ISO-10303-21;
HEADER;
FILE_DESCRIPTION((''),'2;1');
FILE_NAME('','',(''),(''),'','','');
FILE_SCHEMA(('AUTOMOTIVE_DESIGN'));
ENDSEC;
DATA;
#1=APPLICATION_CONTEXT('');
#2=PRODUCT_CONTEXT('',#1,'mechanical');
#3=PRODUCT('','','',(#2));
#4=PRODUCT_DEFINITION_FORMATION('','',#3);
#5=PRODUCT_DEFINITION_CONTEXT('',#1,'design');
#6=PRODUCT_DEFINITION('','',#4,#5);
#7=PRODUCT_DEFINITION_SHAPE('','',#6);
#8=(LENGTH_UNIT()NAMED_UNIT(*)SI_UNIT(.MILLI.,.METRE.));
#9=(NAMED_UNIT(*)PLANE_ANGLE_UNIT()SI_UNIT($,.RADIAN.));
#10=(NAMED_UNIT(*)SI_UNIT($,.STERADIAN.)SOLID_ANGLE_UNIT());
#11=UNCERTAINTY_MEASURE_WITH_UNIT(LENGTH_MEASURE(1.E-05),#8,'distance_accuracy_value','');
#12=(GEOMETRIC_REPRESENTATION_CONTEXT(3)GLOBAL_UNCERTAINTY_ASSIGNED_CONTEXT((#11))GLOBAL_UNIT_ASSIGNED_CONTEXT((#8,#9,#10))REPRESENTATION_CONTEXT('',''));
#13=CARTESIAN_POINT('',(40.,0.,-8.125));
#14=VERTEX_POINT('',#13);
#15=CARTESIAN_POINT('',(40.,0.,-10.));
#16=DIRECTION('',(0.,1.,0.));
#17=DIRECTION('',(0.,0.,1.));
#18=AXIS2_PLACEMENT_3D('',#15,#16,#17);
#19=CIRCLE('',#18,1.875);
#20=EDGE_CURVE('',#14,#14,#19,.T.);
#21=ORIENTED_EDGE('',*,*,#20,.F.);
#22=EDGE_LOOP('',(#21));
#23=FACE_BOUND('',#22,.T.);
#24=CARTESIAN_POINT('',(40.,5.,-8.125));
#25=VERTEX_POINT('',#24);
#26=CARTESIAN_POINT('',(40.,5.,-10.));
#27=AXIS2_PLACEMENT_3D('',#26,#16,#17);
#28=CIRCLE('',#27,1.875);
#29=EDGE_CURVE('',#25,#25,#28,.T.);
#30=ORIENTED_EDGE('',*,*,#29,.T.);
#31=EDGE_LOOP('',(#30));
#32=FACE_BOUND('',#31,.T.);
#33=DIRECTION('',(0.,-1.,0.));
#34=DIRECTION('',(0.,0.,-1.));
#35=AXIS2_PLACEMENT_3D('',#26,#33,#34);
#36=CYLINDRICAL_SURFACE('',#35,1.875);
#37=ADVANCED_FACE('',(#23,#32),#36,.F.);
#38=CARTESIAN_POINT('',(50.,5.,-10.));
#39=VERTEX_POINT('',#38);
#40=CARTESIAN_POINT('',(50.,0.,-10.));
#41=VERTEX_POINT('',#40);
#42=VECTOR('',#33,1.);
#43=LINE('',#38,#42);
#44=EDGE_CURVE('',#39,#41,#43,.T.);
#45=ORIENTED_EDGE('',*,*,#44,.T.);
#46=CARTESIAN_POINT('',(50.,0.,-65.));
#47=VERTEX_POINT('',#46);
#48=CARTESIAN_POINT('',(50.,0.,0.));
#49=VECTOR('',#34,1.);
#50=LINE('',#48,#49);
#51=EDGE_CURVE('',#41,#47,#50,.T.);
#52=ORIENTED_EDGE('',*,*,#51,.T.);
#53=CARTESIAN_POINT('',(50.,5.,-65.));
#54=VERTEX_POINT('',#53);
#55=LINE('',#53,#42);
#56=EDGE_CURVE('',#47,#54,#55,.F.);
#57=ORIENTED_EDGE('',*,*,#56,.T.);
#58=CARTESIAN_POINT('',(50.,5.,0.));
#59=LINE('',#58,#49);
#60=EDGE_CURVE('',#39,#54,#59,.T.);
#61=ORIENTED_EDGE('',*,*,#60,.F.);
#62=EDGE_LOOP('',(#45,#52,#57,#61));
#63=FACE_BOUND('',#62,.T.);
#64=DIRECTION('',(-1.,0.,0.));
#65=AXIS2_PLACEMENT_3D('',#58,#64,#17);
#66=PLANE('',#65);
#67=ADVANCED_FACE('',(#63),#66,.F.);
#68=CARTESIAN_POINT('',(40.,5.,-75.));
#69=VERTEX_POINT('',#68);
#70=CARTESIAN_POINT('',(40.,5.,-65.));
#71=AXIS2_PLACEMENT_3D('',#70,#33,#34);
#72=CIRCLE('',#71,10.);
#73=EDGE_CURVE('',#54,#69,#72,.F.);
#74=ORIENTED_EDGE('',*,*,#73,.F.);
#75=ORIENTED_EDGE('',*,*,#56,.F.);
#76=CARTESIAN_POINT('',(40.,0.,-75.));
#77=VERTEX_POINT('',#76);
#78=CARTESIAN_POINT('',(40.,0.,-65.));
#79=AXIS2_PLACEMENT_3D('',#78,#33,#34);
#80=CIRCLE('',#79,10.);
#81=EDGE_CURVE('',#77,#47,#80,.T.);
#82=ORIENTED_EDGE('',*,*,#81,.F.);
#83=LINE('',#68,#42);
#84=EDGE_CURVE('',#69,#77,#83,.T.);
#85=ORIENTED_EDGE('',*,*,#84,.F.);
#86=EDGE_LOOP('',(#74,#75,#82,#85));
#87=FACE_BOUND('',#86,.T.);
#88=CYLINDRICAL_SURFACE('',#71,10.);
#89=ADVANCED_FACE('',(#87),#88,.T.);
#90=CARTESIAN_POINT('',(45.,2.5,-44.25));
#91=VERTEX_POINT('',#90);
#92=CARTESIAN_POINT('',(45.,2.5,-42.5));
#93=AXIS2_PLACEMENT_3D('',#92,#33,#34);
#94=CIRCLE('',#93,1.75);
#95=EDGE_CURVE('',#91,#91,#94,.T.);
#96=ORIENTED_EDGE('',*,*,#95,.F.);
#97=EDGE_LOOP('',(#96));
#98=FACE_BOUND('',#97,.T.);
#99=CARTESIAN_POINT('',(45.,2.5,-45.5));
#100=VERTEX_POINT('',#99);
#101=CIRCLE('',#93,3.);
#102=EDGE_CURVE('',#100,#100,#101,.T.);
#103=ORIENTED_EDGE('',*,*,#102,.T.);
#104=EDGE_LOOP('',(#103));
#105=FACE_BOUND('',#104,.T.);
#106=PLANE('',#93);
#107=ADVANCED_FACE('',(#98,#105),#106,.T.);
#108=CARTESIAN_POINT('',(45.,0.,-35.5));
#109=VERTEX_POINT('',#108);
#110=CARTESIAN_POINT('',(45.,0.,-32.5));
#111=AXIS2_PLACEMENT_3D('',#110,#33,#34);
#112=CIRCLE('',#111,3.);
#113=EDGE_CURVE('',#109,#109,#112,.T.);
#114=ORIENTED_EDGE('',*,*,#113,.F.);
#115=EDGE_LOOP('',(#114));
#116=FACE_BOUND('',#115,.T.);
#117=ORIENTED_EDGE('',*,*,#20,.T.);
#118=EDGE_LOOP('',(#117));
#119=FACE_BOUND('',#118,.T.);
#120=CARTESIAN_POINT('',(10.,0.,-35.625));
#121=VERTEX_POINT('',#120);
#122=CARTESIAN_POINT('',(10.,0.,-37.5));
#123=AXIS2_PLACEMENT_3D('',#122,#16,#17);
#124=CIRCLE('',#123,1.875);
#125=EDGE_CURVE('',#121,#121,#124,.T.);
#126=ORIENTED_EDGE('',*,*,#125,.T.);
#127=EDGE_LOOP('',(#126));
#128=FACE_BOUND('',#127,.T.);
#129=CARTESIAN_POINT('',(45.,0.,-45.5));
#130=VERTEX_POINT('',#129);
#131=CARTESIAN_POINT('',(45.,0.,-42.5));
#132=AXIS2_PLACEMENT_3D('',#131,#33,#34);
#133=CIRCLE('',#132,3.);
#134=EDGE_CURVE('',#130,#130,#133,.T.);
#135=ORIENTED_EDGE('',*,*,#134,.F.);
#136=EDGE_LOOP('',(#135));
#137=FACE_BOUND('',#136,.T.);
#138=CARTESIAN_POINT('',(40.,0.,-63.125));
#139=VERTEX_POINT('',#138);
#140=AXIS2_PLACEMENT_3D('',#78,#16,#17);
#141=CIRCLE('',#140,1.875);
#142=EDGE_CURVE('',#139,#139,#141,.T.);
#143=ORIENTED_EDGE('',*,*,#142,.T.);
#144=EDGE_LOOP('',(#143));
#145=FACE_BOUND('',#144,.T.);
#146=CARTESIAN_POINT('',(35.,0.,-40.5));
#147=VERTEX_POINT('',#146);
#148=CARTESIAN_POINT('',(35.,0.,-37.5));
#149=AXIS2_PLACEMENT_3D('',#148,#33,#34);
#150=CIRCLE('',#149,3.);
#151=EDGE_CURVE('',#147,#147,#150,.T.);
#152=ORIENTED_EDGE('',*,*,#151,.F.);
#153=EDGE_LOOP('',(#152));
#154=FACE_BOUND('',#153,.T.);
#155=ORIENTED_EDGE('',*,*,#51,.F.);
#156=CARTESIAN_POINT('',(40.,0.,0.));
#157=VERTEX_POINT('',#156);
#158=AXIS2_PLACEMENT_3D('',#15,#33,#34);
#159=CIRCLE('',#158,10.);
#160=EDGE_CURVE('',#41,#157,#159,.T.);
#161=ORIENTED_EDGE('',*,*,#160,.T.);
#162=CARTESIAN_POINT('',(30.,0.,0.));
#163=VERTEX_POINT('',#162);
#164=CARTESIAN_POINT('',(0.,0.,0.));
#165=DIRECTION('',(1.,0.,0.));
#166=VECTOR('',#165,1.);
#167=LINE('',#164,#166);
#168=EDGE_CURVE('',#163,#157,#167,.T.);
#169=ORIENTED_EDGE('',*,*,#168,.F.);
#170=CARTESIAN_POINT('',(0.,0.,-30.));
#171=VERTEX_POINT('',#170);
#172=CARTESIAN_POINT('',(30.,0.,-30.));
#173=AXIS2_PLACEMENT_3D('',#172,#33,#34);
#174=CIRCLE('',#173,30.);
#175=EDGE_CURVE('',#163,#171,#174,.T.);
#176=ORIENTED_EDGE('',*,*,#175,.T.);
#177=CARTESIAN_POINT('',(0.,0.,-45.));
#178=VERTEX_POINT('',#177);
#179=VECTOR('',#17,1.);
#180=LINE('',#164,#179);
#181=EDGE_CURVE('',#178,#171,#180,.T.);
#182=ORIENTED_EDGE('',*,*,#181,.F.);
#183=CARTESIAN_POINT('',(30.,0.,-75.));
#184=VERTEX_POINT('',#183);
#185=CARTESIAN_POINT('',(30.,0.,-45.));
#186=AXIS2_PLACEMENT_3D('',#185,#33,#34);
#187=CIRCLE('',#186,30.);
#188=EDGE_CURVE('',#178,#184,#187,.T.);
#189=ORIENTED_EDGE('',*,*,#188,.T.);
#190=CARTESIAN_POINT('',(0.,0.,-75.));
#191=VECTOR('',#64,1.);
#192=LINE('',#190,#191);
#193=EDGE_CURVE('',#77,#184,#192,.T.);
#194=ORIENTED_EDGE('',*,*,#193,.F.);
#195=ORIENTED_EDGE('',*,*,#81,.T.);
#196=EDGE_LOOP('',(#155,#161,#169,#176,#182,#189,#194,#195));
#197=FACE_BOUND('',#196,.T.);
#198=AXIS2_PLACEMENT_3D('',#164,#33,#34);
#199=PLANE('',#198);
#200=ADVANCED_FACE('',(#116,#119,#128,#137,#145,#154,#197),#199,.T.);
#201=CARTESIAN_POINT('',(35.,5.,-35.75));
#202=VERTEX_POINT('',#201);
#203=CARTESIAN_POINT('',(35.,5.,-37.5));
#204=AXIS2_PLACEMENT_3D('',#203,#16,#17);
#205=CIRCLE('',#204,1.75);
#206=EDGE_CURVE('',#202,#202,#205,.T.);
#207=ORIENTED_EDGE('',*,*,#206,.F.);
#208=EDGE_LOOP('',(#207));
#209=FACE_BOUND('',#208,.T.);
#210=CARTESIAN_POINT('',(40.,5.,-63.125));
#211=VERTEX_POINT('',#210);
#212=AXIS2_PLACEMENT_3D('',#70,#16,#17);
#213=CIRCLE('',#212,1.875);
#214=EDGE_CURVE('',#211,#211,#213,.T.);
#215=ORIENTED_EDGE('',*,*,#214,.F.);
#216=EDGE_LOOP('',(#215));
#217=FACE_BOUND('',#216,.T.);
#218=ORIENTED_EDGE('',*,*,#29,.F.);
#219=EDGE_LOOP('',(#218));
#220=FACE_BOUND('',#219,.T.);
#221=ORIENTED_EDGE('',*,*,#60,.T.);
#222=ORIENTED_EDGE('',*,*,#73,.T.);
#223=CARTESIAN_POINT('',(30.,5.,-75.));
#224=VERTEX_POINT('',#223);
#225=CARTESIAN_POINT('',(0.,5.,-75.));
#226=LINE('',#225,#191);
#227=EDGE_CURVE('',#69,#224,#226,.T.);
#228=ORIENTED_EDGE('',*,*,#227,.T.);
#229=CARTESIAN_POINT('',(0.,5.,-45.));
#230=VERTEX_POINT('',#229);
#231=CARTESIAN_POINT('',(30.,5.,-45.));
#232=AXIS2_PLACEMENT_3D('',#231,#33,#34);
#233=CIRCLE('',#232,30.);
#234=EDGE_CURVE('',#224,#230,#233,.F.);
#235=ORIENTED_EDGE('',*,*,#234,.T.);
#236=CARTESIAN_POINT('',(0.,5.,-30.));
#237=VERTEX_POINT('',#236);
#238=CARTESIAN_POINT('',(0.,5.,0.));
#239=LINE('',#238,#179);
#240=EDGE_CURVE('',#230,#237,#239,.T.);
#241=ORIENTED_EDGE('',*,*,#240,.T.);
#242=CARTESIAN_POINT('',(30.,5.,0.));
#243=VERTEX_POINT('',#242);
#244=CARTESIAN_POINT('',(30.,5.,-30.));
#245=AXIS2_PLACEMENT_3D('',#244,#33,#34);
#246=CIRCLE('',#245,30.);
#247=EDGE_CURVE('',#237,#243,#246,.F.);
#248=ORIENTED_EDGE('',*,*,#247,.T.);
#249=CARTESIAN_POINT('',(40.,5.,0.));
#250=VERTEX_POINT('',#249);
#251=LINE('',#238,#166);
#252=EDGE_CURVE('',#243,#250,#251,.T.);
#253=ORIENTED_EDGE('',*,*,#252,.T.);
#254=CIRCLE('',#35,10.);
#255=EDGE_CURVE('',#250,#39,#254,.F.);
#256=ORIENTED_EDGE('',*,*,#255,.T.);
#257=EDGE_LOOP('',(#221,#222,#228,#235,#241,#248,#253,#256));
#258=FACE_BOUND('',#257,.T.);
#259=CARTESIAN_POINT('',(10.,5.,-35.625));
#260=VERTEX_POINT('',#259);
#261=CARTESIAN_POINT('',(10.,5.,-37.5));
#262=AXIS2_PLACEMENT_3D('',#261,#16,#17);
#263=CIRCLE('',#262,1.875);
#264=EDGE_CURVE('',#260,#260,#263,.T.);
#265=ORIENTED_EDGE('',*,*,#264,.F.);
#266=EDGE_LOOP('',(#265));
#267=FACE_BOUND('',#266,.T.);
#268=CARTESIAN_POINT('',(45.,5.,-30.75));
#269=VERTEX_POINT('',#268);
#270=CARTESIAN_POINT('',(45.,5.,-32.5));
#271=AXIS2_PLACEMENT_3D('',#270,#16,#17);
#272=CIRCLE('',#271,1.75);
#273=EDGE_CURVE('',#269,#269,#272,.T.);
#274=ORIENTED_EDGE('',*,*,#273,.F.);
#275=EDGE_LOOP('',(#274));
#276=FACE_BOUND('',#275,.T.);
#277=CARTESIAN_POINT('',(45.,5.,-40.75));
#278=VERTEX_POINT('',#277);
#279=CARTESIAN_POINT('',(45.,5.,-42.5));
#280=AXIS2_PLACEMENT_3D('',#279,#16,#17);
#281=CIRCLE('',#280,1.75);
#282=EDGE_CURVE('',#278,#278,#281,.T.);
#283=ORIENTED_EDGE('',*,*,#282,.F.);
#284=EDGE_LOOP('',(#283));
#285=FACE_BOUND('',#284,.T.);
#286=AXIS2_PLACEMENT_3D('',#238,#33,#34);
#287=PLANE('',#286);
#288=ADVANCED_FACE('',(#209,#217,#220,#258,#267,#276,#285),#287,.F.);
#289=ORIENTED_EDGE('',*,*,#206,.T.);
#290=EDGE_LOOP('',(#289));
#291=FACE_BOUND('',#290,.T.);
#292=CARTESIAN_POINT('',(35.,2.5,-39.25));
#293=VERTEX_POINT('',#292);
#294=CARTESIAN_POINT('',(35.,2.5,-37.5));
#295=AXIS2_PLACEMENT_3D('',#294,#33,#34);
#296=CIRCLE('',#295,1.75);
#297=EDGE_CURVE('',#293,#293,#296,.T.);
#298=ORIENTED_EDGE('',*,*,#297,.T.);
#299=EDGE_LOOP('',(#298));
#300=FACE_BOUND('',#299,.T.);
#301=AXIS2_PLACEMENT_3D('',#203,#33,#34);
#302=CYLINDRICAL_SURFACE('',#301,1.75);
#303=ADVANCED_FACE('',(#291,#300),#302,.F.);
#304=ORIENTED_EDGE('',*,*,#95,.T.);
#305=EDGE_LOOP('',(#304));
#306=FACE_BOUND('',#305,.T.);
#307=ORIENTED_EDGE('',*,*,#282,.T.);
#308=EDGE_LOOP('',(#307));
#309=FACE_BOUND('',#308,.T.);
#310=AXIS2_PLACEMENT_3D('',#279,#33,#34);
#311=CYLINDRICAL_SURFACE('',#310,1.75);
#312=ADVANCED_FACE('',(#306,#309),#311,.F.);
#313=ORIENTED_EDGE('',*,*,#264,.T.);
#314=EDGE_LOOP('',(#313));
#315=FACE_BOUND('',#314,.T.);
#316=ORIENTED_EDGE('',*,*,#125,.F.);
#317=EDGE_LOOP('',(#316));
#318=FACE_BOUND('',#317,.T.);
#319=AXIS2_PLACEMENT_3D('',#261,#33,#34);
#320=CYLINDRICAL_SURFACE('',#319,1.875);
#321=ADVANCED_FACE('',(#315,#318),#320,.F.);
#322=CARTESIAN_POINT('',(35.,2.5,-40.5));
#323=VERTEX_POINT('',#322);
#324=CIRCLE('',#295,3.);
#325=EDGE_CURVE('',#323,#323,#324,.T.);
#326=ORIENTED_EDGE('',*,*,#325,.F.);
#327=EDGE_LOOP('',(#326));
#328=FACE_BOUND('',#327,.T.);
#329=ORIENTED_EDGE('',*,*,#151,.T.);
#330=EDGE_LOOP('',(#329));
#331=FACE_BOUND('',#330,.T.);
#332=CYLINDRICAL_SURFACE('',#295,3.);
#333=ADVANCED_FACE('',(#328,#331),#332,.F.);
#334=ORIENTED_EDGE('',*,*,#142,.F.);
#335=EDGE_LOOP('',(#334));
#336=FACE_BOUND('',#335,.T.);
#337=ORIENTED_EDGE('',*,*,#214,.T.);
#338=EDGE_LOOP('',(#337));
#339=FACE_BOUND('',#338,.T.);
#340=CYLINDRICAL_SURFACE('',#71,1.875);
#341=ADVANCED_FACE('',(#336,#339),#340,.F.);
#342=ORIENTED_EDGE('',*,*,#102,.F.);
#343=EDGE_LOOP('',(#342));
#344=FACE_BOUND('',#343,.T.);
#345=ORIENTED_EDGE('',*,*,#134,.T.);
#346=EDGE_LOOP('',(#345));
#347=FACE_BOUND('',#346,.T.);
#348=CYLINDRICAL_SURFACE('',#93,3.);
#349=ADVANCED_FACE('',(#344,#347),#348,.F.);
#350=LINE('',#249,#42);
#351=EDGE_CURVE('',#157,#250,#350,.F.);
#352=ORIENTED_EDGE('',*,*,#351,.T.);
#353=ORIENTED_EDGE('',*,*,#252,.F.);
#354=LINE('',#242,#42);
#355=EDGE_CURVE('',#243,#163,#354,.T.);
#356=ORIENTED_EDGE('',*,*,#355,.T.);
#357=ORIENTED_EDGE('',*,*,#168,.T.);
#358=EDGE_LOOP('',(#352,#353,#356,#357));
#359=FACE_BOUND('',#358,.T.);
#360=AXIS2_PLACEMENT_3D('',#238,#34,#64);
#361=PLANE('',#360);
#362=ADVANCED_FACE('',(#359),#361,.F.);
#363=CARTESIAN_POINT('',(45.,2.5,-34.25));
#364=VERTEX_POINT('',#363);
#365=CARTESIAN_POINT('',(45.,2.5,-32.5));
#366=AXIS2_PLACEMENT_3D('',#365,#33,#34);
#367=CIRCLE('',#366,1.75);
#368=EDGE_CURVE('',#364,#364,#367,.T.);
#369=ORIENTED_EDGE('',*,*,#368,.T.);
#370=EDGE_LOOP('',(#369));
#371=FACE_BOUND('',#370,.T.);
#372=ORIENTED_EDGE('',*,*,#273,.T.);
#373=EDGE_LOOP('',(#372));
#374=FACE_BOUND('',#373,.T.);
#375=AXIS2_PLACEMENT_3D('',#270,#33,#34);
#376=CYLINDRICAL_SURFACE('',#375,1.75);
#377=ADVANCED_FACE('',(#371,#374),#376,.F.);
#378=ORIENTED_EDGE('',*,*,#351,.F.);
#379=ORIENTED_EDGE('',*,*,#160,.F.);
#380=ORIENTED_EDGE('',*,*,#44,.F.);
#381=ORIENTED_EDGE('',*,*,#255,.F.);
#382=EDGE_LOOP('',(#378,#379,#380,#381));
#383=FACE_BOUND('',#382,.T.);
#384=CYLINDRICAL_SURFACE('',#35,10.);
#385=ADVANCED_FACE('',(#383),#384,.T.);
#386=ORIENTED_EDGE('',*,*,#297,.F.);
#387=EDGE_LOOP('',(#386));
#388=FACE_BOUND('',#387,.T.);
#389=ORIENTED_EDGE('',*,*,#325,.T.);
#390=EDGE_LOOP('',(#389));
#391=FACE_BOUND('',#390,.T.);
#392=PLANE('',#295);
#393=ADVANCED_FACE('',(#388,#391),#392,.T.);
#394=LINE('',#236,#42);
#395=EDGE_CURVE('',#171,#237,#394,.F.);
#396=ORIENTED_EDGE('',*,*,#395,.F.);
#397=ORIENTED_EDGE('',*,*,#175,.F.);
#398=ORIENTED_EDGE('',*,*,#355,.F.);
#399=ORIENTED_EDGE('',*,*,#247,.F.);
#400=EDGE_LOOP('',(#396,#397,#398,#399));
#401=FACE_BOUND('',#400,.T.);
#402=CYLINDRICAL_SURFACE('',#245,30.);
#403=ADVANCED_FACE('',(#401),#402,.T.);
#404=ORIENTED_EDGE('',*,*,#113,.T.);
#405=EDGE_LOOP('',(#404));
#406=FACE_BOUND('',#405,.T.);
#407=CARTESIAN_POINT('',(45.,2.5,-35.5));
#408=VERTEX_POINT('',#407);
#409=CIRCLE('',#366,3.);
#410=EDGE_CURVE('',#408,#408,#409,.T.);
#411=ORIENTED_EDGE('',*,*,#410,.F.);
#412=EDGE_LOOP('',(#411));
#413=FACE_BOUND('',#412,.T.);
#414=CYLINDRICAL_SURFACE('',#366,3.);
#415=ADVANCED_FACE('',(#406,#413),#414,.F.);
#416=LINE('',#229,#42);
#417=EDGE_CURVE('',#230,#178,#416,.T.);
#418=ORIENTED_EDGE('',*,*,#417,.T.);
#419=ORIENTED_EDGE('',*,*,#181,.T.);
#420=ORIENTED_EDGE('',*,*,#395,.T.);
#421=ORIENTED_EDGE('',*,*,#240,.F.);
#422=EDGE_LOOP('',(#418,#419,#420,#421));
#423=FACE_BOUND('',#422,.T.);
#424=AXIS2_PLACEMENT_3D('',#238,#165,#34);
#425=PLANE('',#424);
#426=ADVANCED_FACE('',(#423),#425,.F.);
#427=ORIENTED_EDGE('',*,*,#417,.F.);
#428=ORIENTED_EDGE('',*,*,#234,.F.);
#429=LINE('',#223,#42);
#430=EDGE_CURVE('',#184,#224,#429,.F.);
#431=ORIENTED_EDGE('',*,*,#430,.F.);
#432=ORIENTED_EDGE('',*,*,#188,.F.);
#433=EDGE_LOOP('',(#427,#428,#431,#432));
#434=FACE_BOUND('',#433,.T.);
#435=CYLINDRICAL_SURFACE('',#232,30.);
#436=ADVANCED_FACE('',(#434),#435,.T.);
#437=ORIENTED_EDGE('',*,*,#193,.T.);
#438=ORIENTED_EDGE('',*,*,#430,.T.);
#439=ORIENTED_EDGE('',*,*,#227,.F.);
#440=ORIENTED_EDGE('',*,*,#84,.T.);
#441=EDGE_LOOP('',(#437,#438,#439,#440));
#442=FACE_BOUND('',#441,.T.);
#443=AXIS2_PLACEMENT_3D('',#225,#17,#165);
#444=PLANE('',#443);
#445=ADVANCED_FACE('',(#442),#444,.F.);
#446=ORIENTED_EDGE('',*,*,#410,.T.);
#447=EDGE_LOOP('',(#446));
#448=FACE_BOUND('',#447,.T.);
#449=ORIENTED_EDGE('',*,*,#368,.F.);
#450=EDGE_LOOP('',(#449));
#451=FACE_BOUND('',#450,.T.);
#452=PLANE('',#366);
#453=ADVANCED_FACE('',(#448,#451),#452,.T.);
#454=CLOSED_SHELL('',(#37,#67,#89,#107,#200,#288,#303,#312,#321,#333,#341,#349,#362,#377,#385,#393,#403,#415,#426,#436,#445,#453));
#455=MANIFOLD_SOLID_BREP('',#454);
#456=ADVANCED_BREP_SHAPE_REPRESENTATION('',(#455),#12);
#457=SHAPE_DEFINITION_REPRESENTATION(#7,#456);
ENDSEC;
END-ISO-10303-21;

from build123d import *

# Parameters (mm, degrees)
SKETCH1_W           = 50
SKETCH1_H           = 75
SKETCH1_R           = 1.875
SKETCH1_R_2         = 1.75
BOSS_EXTRUDE1_DEPTH = 5
SKETCH2_R           = 3
CUT_EXTRUDE1_DEPTH  = 2.5
FILLET1_R           = 30
FILLET2_R           = 10


with BuildPart() as part:
    # Sketch1 → Boss-Extrude1 (new body)
    with BuildSketch(Plane(origin=(0, 0, 0), x_dir=(1, 0, 0), z_dir=(0, 1, 0))):
        with Locations((25, 37.5)):
            Rectangle(SKETCH1_W, SKETCH1_H)
        with Locations((40, 65)):
            Circle(SKETCH1_R, mode=Mode.SUBTRACT)
        with Locations((40, 10)):
            Circle(SKETCH1_R, mode=Mode.SUBTRACT)
        with Locations((10, 37.5)):
            Circle(SKETCH1_R, mode=Mode.SUBTRACT)
        with Locations((45, 42.5)):
            Circle(SKETCH1_R_2, mode=Mode.SUBTRACT)
        with Locations((45, 32.5)):
            Circle(SKETCH1_R_2, mode=Mode.SUBTRACT)
        with Locations((35, 37.5)):
            Circle(SKETCH1_R_2, mode=Mode.SUBTRACT)
    extrude(amount=BOSS_EXTRUDE1_DEPTH)

    # Sketch2 → Cut-Extrude1 (cut)
    with BuildSketch(Plane.XZ):
        with Locations((45, -32.5)):
            Circle(SKETCH2_R)
        with Locations((45, -42.5)):
            Circle(SKETCH2_R)
        with Locations((35, -37.5)):
            Circle(SKETCH2_R)
    extrude(amount=-CUT_EXTRUDE1_DEPTH, mode=Mode.SUBTRACT)

    # Fillet1
    fillet1_edges = [part.edges().sort_by_distance(p)[0] for p in [
        (0, 2.5, -75),
        (0, 2.5, 0),
    ]]
    fillet(fillet1_edges, radius=FILLET1_R)

    # Fillet2
    fillet2_edges = [part.edges().sort_by_distance(p)[0] for p in [
        (50, 2.5, -75),
        (50, 2.5, 0),
    ]]
    fillet(fillet2_edges, radius=FILLET2_R)


solid = part.part
